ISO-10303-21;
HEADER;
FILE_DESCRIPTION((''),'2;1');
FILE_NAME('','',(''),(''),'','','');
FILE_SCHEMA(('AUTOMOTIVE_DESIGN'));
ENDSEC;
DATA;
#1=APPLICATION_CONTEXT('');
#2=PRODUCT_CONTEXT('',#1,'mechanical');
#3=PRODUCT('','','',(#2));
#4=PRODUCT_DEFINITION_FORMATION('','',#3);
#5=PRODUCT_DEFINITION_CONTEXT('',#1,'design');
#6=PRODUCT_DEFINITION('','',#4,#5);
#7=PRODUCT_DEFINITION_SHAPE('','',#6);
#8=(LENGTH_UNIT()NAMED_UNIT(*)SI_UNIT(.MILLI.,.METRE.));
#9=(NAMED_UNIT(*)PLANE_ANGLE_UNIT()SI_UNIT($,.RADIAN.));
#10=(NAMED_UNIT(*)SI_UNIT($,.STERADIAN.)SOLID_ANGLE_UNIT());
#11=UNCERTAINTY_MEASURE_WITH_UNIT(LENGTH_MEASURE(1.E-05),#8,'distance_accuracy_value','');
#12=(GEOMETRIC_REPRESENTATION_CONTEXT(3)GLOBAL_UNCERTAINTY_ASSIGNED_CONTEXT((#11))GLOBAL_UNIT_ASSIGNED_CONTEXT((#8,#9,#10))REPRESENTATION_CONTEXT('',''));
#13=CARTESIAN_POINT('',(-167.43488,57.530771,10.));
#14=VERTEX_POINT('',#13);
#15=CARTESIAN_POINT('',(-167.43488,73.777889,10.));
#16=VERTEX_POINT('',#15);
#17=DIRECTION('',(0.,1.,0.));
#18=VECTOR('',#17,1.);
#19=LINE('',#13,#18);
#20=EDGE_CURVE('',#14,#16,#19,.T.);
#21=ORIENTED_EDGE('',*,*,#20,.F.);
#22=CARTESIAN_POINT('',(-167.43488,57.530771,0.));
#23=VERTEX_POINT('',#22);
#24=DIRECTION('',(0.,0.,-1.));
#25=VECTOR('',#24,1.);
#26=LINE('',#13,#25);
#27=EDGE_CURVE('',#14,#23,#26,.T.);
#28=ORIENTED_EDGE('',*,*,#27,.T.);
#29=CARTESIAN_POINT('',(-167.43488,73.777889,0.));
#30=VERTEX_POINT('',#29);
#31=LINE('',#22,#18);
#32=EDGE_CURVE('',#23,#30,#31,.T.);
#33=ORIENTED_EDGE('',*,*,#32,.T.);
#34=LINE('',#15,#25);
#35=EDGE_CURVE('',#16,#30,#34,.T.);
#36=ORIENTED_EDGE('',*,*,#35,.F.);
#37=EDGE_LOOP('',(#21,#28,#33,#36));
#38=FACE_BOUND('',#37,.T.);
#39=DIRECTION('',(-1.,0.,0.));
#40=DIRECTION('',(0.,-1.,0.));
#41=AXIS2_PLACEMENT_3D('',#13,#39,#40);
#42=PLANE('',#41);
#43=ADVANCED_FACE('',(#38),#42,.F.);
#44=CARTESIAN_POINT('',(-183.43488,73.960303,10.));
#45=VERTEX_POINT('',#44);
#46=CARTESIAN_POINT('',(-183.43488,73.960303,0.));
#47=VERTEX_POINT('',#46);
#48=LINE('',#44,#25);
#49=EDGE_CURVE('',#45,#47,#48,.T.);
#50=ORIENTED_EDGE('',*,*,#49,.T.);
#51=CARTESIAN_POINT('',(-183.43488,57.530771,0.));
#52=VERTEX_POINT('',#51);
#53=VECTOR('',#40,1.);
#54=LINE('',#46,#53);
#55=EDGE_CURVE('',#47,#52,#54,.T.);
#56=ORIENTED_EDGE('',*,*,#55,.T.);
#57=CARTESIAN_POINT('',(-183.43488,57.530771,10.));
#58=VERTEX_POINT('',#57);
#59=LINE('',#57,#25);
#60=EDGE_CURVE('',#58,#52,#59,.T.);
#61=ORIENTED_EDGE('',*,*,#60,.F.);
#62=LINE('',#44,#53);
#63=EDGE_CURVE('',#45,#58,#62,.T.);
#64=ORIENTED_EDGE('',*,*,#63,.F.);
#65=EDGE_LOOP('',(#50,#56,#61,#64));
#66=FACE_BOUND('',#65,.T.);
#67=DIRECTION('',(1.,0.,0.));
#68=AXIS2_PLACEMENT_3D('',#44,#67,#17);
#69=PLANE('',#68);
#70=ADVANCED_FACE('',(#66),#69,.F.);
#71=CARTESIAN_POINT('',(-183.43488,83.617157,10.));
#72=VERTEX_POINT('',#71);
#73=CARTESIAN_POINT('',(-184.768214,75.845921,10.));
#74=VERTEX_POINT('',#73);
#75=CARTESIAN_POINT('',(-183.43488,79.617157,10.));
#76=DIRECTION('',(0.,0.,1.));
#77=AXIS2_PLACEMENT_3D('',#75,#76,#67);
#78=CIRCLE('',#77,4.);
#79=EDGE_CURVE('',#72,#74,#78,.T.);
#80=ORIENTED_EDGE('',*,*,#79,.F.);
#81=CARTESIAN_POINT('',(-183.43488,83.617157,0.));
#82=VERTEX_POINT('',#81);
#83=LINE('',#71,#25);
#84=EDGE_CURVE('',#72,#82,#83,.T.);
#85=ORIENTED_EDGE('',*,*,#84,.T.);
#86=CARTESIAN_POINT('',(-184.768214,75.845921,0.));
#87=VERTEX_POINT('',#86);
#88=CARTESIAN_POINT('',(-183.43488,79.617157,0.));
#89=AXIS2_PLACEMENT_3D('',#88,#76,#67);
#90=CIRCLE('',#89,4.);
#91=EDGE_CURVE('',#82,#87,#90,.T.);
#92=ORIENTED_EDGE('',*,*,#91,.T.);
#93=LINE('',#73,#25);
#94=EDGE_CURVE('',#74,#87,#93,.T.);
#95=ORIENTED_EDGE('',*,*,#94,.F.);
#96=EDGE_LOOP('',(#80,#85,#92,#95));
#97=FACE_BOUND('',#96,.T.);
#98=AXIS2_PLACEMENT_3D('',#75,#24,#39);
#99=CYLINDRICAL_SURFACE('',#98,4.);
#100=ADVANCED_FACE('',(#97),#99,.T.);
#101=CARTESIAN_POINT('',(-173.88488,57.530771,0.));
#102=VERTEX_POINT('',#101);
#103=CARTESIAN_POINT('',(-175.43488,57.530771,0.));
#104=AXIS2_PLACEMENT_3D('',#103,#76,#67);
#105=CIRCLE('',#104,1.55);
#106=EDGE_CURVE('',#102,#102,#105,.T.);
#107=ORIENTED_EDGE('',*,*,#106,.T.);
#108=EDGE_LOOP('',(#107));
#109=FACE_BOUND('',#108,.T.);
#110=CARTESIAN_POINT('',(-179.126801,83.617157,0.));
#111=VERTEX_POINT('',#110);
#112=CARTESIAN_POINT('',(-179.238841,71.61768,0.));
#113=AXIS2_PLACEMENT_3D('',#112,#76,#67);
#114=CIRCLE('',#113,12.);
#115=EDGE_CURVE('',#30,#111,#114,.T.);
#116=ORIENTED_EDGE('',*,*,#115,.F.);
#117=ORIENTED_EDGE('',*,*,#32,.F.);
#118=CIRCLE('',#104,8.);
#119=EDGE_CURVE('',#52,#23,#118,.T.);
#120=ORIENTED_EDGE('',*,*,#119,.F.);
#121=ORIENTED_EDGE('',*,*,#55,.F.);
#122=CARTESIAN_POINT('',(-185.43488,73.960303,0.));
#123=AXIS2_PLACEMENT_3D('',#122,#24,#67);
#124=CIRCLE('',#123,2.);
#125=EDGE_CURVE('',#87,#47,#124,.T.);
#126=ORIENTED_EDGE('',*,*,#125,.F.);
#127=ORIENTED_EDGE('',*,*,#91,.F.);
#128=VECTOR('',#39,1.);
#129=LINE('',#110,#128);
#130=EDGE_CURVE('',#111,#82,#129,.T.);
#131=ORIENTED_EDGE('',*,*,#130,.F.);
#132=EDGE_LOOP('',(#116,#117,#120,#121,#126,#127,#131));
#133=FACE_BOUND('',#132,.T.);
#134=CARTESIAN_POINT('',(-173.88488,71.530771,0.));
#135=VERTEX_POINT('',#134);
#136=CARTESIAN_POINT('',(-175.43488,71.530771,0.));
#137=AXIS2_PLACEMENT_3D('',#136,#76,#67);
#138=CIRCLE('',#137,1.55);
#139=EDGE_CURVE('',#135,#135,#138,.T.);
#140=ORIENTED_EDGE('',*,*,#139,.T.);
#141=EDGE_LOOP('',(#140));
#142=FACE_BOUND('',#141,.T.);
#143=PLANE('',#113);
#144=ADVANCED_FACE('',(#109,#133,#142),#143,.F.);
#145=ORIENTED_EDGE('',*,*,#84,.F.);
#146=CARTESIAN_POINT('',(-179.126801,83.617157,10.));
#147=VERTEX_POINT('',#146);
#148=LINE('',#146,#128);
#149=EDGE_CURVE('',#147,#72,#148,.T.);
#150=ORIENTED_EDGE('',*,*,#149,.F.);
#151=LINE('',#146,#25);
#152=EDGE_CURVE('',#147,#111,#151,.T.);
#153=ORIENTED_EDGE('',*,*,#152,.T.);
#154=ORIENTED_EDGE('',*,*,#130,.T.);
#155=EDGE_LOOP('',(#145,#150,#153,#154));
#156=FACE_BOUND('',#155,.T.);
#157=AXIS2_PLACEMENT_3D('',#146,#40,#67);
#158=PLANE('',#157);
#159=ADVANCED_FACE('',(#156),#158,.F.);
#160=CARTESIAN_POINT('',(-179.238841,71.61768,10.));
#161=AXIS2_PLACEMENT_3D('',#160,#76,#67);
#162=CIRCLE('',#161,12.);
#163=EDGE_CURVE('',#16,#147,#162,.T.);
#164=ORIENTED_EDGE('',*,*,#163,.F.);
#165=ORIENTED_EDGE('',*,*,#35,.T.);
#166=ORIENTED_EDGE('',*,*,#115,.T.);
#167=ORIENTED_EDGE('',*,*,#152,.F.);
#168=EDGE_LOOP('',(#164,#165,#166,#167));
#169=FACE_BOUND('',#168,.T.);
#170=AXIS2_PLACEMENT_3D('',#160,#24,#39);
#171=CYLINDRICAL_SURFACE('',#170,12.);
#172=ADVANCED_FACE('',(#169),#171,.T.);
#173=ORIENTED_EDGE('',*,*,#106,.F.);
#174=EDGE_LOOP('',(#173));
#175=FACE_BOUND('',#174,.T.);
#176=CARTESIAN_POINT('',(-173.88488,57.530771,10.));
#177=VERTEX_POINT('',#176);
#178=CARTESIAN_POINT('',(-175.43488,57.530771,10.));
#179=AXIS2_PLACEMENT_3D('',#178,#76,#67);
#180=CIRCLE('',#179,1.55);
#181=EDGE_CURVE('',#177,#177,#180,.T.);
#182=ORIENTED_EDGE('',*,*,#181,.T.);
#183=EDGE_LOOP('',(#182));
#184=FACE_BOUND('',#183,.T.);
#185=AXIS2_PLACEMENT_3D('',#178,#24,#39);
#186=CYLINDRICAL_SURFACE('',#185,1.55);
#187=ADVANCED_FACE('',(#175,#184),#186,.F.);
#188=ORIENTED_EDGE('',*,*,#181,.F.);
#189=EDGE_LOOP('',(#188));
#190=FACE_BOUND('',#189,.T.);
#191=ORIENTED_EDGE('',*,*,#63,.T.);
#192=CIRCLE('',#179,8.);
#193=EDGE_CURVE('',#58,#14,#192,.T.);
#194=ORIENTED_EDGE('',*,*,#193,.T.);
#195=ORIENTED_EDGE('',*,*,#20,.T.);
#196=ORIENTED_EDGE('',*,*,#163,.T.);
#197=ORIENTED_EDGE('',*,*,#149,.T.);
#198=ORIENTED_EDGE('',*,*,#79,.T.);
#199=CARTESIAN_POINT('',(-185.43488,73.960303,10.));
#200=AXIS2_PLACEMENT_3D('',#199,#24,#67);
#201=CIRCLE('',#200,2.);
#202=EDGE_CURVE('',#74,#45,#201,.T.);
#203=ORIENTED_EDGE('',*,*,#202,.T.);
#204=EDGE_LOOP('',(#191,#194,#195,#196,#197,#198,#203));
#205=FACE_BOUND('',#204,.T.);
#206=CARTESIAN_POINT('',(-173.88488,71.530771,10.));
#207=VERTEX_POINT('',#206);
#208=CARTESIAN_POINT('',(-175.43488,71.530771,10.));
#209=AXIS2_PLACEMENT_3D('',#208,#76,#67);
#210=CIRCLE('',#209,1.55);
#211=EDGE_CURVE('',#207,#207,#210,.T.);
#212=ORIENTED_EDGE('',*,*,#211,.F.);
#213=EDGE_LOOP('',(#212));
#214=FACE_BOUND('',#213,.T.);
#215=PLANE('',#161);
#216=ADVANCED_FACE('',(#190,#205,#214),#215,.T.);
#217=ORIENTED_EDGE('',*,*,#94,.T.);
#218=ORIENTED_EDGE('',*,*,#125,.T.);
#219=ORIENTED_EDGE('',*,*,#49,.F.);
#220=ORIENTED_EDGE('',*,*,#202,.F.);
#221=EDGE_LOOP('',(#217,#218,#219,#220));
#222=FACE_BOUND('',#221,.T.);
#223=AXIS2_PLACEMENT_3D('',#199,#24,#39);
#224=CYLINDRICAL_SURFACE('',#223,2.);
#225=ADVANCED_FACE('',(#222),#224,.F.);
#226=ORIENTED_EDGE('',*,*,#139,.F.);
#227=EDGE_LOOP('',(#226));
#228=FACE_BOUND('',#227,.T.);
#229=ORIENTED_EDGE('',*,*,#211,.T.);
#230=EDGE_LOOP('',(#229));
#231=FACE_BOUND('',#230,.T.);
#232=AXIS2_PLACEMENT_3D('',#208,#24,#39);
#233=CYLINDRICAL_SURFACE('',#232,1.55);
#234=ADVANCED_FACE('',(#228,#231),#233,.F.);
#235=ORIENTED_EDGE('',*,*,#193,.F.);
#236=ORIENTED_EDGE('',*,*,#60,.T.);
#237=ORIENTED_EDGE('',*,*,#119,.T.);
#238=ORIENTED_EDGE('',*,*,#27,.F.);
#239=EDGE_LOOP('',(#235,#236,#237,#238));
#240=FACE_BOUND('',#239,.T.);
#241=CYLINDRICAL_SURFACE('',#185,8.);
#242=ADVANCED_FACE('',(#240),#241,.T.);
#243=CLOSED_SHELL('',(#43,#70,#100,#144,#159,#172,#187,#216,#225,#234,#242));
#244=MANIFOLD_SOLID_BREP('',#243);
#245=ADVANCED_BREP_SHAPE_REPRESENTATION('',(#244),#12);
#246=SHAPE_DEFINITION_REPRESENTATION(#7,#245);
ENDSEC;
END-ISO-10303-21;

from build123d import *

# Parameters (mm, degrees)
SZKIC1_R                    = 1.55
DODANIE_WYCI_GNI_CIE1_DEPTH = 10


with BuildPart() as part:
    # Szkic1 → Dodanie-wyciągnięcie1 (new body)
    with BuildSketch(Plane.XY):
        with BuildLine():
            Line((-179.126801066, 83.617157096), (-183.434880274, 83.617157096))
            ThreePointArc((-183.434880274, 83.617157096), (-187.377274513, 80.293565011), (-184.768213607, 75.84592093))
            ThreePointArc((-184.768213607, 75.84592093), (-183.801887112, 75.115003385), (-183.434880274, 73.960302847))
            Line((-183.434880274, 73.960302847), (-183.434880274, 57.530770571))
            ThreePointArc((-183.434880274, 57.530770571), (-175.434880274, 49.530770571), (-167.434880274, 57.530770571))
            Line((-167.434880274, 57.530770571), (-167.434880274, 73.777889147))
            ThreePointArc((-167.434880274, 73.777889147), (-171.51222692, 80.799152225), (-179.126801066, 83.617157096))
        make_face()
        with Locations((-175.434880274, 57.530770571)):
            Circle(SZKIC1_R, mode=Mode.SUBTRACT)
        with Locations((-175.434880274, 71.530770571)):
            Circle(SZKIC1_R, mode=Mode.SUBTRACT)
    extrude(amount=DODANIE_WYCI_GNI_CIE1_DEPTH)


solid = part.part
